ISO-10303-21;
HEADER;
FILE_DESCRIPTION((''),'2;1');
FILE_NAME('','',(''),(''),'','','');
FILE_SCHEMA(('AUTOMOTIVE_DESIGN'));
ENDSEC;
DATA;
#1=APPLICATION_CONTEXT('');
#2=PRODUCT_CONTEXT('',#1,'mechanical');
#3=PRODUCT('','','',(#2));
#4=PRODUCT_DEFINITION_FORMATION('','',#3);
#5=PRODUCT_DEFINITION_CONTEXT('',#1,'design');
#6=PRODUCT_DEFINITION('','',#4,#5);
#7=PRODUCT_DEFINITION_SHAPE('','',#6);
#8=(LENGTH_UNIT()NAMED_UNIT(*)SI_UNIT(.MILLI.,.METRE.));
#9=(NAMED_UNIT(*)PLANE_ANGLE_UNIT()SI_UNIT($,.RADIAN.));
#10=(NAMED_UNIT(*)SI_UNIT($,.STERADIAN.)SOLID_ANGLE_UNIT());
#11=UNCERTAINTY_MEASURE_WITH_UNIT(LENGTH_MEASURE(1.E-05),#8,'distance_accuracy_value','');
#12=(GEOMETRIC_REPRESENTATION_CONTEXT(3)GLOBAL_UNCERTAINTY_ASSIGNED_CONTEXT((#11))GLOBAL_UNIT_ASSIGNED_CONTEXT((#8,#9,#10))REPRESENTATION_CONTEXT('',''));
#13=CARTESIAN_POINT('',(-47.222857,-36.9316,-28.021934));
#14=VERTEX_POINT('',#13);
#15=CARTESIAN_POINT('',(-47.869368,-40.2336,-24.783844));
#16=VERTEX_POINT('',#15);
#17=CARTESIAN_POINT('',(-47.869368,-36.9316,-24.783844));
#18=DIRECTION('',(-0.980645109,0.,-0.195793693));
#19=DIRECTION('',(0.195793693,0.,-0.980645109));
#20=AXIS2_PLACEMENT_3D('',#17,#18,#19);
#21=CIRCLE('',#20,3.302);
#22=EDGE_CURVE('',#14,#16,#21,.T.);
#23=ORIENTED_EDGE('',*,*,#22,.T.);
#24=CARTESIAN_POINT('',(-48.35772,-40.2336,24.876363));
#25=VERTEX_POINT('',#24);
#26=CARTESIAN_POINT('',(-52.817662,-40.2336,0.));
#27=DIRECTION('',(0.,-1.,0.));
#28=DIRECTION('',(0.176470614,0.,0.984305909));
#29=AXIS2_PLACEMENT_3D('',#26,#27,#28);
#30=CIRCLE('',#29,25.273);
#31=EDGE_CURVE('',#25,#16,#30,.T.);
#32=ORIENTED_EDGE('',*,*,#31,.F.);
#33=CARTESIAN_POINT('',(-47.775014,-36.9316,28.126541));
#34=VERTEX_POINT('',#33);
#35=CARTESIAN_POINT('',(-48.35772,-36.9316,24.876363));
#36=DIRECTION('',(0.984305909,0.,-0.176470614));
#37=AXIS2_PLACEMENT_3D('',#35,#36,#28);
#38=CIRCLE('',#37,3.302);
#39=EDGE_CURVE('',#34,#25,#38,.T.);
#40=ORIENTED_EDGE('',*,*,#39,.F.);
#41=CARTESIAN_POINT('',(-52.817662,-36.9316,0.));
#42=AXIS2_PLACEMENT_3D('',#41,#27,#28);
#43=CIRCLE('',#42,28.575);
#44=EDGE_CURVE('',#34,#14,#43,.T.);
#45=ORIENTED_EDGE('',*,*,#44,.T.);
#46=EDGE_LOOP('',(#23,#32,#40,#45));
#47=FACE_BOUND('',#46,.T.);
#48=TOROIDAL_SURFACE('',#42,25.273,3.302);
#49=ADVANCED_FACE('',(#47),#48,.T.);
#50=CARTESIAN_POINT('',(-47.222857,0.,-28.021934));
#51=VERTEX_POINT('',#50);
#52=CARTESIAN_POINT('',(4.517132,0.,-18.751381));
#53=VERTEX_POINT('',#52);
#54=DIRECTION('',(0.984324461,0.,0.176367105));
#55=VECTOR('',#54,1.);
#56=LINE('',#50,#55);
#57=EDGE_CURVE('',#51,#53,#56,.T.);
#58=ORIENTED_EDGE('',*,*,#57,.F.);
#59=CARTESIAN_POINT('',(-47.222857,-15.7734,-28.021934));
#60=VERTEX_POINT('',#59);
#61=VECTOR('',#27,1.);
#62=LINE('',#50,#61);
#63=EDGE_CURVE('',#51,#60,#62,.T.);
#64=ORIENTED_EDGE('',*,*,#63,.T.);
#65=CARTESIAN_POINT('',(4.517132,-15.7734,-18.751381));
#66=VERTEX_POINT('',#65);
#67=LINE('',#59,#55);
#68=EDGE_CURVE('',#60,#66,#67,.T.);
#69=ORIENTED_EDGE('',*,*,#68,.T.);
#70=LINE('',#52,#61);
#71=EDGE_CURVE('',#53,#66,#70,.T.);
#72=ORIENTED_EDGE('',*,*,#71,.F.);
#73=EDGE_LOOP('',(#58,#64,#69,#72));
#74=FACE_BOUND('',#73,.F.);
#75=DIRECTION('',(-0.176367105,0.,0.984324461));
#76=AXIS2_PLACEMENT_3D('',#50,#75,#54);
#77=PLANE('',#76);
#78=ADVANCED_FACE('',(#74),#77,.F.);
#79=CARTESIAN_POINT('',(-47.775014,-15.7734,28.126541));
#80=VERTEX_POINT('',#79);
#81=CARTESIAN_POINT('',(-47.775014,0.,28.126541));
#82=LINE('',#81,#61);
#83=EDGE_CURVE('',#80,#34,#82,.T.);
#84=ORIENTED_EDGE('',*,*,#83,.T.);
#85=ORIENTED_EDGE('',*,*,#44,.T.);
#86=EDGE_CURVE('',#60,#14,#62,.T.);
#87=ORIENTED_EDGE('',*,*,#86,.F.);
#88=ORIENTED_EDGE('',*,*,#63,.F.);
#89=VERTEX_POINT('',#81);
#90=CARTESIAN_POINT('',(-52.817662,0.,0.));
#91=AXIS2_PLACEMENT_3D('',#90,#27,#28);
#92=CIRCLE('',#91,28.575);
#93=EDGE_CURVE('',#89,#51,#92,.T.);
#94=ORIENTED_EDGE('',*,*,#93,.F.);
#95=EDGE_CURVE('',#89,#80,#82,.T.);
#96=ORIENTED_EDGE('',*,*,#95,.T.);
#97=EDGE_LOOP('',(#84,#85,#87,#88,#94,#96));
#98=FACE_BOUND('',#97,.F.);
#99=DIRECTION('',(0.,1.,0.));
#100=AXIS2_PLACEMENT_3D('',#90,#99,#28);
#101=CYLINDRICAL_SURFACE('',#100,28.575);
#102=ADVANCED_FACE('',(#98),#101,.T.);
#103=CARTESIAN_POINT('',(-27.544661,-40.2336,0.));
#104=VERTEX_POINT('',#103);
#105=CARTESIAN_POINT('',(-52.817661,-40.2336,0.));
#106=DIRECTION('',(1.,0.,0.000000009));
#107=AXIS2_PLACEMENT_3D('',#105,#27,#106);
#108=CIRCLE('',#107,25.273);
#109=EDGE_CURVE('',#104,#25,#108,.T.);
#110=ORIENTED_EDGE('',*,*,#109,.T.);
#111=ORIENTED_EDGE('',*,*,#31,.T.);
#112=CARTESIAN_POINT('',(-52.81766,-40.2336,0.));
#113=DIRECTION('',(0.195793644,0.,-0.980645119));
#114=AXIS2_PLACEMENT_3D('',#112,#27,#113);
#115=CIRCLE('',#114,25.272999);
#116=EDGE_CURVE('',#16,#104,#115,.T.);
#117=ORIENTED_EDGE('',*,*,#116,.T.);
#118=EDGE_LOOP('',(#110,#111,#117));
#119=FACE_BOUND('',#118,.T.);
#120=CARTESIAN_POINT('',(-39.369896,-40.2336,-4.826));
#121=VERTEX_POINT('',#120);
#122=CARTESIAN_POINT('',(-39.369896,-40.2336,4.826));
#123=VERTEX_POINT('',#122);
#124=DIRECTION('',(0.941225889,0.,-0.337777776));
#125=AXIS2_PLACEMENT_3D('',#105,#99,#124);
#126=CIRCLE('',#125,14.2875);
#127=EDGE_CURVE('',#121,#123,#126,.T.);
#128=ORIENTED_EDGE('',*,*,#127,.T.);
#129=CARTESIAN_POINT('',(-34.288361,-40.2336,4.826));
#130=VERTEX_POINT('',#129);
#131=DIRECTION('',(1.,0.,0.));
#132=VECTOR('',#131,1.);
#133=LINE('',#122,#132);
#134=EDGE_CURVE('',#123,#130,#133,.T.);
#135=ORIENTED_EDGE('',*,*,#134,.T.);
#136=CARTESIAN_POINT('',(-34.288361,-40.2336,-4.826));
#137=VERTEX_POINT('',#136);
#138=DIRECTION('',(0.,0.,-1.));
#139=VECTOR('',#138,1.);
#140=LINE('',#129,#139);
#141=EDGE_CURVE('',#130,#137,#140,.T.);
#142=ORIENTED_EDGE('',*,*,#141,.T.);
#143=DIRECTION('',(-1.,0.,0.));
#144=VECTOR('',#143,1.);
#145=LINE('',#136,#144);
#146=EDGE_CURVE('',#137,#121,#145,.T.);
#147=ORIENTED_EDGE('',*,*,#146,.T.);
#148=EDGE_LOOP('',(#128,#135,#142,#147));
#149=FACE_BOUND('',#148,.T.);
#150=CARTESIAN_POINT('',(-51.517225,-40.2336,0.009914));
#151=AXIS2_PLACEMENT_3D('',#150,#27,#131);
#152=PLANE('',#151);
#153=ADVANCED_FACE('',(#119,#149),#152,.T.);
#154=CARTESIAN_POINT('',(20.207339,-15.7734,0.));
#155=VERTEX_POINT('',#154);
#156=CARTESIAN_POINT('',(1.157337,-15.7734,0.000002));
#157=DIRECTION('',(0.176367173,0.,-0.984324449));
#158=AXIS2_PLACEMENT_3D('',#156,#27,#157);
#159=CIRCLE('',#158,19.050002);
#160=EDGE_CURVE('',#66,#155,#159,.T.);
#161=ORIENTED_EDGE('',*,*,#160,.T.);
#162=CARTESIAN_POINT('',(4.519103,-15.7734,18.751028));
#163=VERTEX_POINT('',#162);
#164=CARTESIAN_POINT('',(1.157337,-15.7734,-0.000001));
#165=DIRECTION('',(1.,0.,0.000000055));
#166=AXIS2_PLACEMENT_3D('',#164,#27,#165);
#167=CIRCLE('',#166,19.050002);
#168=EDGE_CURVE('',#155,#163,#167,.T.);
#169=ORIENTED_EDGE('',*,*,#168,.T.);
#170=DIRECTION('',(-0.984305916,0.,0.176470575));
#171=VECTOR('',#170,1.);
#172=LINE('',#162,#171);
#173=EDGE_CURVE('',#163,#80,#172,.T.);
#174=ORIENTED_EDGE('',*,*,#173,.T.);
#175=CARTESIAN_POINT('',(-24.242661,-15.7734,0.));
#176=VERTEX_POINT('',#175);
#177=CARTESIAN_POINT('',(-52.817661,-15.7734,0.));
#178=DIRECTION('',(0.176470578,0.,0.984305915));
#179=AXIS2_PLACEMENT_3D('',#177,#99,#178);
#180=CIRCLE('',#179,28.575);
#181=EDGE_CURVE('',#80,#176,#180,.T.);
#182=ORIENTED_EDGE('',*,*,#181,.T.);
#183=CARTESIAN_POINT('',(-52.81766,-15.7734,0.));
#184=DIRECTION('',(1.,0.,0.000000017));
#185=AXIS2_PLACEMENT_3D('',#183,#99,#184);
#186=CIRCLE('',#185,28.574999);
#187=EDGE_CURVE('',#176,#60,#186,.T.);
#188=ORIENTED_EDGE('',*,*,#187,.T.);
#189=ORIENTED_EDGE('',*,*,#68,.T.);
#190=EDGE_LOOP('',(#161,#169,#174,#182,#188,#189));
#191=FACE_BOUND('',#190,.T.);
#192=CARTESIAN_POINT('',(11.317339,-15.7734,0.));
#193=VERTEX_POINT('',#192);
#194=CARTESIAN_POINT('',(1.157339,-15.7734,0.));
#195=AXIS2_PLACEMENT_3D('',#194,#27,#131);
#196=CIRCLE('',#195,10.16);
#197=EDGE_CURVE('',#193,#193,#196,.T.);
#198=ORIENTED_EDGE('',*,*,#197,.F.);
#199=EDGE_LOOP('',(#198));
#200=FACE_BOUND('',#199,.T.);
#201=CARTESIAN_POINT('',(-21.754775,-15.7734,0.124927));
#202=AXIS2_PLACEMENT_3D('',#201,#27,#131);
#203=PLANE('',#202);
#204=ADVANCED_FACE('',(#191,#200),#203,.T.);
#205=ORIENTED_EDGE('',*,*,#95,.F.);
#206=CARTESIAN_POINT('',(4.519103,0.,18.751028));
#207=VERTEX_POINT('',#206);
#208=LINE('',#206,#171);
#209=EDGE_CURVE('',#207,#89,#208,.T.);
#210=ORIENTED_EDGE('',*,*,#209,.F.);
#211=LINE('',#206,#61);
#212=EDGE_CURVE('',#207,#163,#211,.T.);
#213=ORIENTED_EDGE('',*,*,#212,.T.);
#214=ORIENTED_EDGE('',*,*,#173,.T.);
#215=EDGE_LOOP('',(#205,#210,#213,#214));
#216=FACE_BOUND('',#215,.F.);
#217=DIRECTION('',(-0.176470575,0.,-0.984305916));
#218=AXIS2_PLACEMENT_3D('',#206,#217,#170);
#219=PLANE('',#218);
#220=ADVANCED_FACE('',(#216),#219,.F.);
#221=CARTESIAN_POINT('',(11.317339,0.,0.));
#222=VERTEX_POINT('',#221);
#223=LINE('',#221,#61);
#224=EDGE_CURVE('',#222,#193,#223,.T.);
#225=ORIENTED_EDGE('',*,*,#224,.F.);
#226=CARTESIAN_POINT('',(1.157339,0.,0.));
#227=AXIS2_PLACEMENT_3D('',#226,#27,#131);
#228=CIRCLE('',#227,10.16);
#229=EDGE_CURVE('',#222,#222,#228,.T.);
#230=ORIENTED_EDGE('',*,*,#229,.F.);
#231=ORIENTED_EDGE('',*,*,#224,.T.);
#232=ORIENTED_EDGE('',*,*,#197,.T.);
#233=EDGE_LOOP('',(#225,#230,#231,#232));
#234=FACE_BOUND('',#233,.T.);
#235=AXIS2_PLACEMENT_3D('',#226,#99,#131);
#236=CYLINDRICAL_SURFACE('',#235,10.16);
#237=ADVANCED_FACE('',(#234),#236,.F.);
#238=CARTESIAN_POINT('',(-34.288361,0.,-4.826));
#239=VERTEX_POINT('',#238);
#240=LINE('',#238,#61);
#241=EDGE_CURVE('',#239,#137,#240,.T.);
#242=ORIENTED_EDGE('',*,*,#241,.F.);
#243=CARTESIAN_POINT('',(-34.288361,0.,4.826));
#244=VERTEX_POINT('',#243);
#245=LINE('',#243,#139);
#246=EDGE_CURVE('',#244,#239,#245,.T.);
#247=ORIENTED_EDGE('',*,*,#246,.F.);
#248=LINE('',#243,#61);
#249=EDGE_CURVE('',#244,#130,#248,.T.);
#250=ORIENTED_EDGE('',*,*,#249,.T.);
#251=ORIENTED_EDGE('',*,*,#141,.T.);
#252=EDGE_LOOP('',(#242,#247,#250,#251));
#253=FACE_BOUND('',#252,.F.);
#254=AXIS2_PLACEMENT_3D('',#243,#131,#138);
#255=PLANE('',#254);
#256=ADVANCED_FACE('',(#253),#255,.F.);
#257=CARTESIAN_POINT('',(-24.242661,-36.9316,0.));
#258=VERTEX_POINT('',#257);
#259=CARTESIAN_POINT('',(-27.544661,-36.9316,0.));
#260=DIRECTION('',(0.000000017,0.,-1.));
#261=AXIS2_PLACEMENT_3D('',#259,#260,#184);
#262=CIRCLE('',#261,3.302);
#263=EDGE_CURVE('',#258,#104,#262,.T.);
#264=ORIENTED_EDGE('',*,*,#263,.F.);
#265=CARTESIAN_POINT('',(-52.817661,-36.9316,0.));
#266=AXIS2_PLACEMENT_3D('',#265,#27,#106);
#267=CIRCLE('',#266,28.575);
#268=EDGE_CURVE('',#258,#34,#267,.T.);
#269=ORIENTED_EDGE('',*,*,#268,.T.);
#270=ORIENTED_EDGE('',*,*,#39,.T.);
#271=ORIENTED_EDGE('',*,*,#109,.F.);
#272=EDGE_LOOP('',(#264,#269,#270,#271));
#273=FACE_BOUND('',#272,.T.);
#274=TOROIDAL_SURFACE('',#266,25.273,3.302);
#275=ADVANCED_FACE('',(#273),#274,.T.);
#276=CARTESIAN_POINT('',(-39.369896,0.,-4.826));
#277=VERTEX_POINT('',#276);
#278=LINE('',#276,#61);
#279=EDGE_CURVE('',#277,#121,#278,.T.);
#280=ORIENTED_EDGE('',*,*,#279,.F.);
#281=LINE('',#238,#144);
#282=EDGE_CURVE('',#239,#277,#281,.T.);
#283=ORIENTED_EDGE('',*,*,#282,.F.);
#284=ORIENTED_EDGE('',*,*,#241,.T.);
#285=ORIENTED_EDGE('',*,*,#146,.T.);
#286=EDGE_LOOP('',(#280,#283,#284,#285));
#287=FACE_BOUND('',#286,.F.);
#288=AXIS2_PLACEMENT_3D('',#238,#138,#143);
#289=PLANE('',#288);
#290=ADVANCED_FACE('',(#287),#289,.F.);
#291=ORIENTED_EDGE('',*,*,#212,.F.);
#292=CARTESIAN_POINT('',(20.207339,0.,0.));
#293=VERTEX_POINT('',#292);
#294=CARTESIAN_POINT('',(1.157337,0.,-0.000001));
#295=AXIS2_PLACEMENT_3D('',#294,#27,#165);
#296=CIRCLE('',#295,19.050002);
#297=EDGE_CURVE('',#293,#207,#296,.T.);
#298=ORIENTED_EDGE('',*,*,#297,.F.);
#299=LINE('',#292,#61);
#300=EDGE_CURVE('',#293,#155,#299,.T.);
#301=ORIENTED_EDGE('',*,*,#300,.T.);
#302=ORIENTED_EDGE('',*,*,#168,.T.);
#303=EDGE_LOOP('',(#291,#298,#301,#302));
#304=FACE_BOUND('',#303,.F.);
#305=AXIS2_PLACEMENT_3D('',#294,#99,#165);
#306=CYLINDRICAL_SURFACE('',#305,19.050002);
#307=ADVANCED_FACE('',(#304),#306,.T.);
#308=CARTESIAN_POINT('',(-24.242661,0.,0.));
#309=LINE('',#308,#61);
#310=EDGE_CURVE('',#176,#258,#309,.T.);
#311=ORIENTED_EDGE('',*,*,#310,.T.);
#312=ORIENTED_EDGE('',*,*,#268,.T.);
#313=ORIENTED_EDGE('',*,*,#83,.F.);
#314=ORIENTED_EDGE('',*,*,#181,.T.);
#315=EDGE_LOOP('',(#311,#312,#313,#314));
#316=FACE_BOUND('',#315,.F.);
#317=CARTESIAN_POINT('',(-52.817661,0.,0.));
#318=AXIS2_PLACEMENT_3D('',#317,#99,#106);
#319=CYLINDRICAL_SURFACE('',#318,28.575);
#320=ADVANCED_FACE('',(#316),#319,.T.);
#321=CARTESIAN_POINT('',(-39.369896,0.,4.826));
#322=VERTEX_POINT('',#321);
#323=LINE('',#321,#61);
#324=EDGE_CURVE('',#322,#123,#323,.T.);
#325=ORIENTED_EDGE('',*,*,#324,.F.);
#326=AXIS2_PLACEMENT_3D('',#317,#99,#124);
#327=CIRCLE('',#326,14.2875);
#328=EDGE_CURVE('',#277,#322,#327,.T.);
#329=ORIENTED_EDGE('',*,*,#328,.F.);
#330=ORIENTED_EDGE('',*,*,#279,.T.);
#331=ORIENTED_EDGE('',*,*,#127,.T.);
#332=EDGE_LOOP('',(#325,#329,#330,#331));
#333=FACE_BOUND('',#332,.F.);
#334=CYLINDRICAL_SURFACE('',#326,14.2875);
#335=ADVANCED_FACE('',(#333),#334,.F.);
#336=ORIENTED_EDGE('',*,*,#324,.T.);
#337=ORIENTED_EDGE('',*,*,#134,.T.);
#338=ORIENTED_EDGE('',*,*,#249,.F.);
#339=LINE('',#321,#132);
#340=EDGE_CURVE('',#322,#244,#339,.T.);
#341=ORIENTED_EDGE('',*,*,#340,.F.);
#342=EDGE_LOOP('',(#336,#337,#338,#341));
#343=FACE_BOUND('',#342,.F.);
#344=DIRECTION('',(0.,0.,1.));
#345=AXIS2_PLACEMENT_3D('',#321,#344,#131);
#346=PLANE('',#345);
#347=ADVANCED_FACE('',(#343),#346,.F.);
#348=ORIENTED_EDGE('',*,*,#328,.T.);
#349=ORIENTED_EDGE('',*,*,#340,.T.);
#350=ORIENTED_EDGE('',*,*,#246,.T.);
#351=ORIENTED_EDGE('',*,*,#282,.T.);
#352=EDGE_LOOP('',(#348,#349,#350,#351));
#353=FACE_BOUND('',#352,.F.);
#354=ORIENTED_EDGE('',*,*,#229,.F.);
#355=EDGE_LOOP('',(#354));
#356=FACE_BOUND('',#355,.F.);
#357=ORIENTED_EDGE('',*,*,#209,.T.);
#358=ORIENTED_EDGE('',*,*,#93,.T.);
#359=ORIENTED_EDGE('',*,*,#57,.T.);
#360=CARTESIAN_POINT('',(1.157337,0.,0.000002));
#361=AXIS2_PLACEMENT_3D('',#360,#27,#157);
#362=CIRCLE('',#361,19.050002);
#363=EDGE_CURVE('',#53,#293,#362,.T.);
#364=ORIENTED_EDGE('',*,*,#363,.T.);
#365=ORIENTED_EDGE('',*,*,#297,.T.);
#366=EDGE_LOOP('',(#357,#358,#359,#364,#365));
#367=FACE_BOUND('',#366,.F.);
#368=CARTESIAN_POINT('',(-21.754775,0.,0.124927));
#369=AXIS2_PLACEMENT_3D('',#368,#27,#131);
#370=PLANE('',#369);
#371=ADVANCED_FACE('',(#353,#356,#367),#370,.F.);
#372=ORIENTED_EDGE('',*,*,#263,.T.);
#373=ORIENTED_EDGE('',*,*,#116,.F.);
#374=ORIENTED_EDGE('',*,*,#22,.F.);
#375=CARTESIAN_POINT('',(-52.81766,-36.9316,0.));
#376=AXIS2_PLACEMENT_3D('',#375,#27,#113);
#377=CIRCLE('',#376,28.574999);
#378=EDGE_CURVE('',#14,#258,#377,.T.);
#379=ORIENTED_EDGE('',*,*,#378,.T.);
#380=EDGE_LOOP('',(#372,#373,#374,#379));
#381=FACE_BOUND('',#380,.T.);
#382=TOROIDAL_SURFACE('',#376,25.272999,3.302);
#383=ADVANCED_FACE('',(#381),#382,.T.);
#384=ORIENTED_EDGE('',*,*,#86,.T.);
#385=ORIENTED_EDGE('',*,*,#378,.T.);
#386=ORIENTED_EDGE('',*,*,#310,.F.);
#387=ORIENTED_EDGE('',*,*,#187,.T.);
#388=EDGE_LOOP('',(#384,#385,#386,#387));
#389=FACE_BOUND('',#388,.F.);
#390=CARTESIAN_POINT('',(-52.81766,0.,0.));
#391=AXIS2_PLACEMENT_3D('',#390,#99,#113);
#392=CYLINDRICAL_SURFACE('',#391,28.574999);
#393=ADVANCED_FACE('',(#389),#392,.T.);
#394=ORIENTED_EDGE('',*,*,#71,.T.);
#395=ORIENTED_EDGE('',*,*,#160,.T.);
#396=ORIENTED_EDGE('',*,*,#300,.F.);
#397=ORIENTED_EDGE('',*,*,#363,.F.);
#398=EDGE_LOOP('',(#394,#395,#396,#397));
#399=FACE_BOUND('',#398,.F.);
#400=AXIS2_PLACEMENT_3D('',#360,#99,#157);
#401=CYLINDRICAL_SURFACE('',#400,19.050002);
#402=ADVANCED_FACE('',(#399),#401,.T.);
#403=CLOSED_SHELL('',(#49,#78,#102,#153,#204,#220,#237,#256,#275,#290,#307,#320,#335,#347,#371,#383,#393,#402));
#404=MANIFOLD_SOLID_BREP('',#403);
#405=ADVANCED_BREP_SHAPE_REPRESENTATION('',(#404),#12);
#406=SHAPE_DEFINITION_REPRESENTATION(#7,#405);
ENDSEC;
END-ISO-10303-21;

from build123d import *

# Parameters (mm, degrees)
F1_DEPTH = 40.2336
F0_R     = 10.16
F2_DEPTH = 15.7734
F3_R     = 3.302


with BuildPart() as f1:
    # F0 (on Front) → F1 (new body)
    with BuildSketch(Plane.XZ):
        with BuildLine():
            ThreePointArc((-47.222857, -28.021934), (-30.722388, -18.119866), (-24.242661, 0))
            ThreePointArc((-24.242661, 0), (-30.901637, 18.336262), (-47.775014, 28.126541))
            ThreePointArc((-47.775014, 28.126541), (-81.39128, -0.28099), (-47.222857, -28.021934))
        make_face()
        with BuildLine():
            ThreePointArc((-39.369896, -4.826), (-67.105161, 0), (-39.369896, 4.826))
            Line((-39.369896, 4.826), (-34.288361, 4.826))
            Line((-34.288361, 4.826), (-34.288361, 0))
            Line((-34.288361, 0), (-34.288361, -4.826))
            Line((-34.288361, -4.826), (-39.369896, -4.826))
        make_face(mode=Mode.SUBTRACT)
    extrude(amount=F1_DEPTH)

    # F0 (on Front) → F2 (join)
    with BuildSketch(Plane.XZ):
        with BuildLine():
            ThreePointArc((-47.775014, 28.126541), (-30.901637, 18.336262), (-24.242661, 0))
            ThreePointArc((-24.242661, 0), (-30.722388, -18.119866), (-47.222857, -28.021934))
            Line((-47.222857, -28.021934), (4.517132, -18.751381))
            ThreePointArc((4.517132, -18.751381), (-17.892661, 0.001001), (4.519103, 18.751028))
            Line((4.519103, 18.751028), (-47.775014, 28.126541))
        make_face()
        with BuildLine():
            ThreePointArc((20.207339, 0), (15.768022, 12.224174), (4.519103, 18.751028))
            ThreePointArc((4.519103, 18.751028), (-17.892661, 0.001001), (4.517132, -18.751381))
            ThreePointArc((4.517132, -18.751381), (15.767379, -12.224942), (20.207339, 0))
        make_face()
        with Locations((1.157339, 0)):
            Circle(F0_R, mode=Mode.SUBTRACT)
    extrude(amount=F2_DEPTH)

    # F3
    f3_edges = [f1.edges().sort_by_distance(p)[0] for p in [
        (-58.412466, -40.2336, 28.021934),
    ]]
    fillet(f3_edges, radius=F3_R)


solid = f1.part
